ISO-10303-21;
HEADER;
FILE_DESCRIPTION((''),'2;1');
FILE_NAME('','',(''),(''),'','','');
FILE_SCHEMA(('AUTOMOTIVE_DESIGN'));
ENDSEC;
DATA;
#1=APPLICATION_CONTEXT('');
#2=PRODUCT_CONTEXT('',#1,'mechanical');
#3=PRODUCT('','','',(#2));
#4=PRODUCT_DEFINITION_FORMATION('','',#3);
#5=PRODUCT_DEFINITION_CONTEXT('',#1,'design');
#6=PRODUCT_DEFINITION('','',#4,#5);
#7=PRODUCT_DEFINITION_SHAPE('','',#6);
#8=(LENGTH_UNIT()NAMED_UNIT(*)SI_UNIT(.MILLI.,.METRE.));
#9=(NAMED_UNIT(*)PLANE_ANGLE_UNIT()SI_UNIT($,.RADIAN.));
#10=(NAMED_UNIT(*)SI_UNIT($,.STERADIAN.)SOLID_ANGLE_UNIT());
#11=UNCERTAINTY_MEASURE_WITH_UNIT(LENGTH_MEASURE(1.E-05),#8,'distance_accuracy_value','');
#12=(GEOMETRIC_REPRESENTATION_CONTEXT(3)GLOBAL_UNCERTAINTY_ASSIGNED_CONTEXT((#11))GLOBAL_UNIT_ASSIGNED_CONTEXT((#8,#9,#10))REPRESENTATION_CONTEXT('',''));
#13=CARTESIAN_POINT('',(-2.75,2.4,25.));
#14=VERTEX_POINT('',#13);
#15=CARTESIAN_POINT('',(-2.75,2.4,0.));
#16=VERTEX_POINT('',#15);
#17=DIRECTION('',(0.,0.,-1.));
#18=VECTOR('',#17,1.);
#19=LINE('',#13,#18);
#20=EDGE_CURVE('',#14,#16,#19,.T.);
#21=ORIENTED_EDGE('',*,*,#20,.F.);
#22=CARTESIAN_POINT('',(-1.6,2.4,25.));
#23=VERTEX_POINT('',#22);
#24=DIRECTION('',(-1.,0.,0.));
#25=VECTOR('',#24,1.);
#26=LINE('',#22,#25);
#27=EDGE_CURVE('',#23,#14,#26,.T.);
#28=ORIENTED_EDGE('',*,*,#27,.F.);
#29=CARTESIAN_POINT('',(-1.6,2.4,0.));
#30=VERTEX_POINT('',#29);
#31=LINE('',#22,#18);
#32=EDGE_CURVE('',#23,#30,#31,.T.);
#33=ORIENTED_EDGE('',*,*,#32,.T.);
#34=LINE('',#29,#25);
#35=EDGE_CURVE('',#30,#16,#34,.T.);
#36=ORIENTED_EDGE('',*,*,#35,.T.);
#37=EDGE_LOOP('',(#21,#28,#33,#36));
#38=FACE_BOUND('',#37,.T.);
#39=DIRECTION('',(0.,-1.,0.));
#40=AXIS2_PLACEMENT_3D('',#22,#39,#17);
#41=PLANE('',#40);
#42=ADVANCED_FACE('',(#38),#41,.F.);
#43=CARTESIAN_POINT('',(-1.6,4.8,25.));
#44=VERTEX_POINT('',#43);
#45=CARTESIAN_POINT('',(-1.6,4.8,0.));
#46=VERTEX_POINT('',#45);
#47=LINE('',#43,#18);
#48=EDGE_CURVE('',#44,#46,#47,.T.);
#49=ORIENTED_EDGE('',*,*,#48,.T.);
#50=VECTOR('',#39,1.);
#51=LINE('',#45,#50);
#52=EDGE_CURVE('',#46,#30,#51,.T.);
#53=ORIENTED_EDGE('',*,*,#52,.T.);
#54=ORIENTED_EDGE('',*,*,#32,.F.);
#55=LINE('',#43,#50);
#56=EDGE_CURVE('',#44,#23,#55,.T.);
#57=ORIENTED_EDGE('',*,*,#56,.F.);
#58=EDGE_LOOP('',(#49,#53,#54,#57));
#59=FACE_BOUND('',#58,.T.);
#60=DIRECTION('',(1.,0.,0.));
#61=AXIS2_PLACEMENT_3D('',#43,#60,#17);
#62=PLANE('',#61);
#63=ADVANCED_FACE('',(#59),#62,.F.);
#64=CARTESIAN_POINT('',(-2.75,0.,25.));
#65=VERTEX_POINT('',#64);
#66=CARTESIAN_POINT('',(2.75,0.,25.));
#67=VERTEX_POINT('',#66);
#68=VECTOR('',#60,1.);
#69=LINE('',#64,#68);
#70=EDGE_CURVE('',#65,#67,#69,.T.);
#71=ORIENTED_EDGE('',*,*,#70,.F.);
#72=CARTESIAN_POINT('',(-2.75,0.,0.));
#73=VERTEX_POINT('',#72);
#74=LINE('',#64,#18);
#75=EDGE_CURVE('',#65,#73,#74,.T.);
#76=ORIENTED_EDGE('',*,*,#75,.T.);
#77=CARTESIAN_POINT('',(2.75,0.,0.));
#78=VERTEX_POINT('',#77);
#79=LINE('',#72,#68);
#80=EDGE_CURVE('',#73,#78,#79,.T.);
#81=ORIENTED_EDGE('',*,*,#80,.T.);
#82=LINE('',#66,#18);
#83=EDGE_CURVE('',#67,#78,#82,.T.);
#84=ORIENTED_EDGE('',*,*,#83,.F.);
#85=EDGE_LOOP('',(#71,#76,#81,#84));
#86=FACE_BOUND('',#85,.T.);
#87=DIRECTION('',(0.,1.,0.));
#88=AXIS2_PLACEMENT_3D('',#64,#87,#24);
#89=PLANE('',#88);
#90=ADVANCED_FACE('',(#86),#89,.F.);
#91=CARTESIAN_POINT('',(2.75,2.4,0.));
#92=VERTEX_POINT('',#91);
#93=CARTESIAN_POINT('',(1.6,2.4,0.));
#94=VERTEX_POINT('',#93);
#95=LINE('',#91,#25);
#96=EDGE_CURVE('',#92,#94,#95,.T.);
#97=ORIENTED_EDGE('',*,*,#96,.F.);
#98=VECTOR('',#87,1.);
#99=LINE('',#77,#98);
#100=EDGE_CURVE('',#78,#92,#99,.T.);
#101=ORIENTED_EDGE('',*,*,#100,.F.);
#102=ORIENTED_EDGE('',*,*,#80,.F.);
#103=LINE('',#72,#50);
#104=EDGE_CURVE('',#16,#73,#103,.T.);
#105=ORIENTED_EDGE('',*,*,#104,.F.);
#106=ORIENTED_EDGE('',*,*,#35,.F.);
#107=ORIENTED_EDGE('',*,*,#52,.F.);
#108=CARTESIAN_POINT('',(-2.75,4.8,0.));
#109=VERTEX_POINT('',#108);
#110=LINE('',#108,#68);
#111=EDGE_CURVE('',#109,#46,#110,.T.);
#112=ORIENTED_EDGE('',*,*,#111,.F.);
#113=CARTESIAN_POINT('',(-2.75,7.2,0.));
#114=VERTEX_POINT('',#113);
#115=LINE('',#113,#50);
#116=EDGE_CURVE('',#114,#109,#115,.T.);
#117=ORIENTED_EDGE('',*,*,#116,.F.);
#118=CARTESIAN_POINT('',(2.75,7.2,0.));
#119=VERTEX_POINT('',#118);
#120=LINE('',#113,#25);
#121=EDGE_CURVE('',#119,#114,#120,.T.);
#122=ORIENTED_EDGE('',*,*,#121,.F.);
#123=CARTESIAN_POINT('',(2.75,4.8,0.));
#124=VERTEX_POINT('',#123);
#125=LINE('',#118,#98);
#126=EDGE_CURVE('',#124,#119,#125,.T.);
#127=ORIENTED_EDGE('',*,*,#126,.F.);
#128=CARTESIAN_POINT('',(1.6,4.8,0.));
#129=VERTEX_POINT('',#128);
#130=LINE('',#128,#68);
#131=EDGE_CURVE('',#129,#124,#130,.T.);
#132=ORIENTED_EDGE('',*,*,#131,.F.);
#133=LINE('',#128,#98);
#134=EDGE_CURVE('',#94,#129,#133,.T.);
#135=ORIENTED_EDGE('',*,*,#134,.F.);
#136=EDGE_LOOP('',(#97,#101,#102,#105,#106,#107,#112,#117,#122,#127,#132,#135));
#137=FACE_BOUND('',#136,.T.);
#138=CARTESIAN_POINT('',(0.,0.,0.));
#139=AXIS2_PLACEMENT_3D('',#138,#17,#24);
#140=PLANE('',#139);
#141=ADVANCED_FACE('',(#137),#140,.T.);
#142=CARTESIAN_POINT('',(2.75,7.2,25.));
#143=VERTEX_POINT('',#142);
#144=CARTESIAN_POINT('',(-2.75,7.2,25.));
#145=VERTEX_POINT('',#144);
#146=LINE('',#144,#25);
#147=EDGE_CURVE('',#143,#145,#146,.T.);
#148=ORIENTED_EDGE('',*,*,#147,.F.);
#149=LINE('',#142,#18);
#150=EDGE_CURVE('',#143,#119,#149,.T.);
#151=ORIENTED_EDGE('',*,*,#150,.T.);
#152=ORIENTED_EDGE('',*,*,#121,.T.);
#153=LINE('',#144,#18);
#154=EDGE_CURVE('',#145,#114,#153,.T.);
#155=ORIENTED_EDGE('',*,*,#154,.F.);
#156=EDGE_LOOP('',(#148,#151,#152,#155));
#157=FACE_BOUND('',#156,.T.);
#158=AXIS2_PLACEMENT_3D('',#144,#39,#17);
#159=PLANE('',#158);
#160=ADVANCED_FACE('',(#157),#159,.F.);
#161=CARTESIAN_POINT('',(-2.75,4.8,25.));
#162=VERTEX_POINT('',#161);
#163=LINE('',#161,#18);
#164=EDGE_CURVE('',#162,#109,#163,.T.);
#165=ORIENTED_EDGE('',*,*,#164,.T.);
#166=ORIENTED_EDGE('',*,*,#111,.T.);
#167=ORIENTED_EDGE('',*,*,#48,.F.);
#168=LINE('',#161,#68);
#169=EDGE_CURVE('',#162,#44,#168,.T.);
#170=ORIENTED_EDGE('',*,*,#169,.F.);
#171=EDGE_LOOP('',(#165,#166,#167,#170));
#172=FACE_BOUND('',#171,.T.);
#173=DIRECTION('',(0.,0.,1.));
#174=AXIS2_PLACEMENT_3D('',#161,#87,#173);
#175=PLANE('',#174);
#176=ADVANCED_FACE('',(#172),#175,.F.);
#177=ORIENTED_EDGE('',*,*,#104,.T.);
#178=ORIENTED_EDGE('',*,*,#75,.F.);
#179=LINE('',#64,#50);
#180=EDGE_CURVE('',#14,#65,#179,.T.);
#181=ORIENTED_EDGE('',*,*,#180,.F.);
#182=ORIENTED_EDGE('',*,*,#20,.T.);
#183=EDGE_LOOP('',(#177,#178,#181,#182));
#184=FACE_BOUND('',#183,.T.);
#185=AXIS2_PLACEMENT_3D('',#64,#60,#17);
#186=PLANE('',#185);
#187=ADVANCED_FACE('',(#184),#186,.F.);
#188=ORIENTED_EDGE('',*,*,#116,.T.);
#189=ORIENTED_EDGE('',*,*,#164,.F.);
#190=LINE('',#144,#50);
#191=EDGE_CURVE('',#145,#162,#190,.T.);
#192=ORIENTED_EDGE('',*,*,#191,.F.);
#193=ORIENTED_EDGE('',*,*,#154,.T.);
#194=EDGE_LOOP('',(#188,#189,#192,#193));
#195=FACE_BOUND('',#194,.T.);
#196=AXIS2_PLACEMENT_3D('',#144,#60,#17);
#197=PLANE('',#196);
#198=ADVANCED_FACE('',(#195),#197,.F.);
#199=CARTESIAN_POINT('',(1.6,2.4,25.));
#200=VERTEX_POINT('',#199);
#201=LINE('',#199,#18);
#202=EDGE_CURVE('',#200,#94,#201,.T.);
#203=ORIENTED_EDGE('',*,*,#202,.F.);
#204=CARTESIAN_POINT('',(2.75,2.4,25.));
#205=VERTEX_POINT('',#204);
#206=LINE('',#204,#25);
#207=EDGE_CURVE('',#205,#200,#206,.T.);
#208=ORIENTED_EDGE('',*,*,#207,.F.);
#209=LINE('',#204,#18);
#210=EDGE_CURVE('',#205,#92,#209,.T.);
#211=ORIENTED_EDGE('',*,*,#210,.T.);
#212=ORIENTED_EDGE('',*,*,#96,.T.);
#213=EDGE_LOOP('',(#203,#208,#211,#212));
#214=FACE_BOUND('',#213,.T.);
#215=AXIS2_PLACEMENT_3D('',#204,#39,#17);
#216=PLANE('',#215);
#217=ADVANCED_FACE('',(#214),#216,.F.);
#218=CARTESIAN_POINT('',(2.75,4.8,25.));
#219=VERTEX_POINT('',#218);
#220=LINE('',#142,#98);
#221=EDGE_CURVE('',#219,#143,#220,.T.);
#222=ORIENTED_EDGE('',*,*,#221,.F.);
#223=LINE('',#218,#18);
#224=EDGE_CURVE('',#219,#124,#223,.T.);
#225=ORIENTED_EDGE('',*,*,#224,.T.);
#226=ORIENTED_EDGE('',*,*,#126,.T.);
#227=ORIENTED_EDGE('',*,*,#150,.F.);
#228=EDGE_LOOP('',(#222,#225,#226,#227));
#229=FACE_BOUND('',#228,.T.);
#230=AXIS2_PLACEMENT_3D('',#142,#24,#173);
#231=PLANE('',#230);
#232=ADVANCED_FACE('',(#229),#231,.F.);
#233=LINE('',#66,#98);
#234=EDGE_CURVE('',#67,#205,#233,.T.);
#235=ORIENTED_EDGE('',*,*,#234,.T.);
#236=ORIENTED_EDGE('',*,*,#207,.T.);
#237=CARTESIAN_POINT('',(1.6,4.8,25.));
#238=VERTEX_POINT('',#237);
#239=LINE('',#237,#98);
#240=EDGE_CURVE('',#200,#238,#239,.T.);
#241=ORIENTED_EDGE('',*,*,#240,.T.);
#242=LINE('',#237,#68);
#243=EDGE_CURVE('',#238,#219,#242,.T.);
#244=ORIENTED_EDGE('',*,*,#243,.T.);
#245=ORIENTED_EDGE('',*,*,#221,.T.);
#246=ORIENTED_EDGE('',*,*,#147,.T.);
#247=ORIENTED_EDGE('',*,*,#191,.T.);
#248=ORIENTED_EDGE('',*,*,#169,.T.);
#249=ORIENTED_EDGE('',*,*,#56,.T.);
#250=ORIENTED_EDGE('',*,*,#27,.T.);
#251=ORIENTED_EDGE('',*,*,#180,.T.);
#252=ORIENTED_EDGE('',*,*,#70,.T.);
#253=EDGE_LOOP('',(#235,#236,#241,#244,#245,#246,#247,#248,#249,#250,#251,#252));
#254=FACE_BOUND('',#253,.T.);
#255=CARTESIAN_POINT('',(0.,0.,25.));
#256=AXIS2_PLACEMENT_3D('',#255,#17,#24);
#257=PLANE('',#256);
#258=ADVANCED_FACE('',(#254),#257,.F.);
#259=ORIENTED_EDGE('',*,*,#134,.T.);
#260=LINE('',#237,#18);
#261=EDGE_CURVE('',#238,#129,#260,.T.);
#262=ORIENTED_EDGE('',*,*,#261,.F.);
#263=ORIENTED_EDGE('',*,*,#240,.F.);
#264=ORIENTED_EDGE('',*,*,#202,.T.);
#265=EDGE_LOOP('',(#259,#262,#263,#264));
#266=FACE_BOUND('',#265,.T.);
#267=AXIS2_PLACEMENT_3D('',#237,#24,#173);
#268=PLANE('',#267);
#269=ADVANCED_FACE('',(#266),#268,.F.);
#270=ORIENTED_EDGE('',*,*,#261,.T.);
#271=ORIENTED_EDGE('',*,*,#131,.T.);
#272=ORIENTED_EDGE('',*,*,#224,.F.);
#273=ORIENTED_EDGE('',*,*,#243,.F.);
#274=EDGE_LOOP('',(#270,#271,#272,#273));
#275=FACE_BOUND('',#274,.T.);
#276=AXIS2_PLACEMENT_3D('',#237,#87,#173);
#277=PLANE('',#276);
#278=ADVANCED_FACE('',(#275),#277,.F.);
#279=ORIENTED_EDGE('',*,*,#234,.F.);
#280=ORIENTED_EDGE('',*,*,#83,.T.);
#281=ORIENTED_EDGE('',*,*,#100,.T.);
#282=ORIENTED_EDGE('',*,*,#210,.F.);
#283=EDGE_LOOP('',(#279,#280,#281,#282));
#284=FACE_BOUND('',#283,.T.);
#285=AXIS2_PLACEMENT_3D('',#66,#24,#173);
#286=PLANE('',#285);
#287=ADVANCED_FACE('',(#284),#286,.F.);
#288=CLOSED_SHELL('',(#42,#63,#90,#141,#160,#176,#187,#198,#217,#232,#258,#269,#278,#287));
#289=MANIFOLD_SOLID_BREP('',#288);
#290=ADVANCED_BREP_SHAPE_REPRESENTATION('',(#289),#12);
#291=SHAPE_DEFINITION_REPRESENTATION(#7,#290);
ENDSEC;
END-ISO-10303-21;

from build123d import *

# Parameters (mm, degrees)
BOSS_EXTRUDE1_DEPTH = 25


with BuildPart() as part:
    # Sketch1 → Boss-Extrude1 (new body)
    with BuildSketch(Plane.XY):
        Polygon((-2.75, 0), (2.75, 0), (2.75, 2.4), (1.6, 2.4), (1.6, 4.8), (2.75, 4.8), (2.75, 7.2), (-2.75, 7.2), (-2.75, 4.8), (-1.6, 4.8), (-1.6, 2.4), (-2.75, 2.4), align=None)
    extrude(amount=BOSS_EXTRUDE1_DEPTH)


solid = part.part
